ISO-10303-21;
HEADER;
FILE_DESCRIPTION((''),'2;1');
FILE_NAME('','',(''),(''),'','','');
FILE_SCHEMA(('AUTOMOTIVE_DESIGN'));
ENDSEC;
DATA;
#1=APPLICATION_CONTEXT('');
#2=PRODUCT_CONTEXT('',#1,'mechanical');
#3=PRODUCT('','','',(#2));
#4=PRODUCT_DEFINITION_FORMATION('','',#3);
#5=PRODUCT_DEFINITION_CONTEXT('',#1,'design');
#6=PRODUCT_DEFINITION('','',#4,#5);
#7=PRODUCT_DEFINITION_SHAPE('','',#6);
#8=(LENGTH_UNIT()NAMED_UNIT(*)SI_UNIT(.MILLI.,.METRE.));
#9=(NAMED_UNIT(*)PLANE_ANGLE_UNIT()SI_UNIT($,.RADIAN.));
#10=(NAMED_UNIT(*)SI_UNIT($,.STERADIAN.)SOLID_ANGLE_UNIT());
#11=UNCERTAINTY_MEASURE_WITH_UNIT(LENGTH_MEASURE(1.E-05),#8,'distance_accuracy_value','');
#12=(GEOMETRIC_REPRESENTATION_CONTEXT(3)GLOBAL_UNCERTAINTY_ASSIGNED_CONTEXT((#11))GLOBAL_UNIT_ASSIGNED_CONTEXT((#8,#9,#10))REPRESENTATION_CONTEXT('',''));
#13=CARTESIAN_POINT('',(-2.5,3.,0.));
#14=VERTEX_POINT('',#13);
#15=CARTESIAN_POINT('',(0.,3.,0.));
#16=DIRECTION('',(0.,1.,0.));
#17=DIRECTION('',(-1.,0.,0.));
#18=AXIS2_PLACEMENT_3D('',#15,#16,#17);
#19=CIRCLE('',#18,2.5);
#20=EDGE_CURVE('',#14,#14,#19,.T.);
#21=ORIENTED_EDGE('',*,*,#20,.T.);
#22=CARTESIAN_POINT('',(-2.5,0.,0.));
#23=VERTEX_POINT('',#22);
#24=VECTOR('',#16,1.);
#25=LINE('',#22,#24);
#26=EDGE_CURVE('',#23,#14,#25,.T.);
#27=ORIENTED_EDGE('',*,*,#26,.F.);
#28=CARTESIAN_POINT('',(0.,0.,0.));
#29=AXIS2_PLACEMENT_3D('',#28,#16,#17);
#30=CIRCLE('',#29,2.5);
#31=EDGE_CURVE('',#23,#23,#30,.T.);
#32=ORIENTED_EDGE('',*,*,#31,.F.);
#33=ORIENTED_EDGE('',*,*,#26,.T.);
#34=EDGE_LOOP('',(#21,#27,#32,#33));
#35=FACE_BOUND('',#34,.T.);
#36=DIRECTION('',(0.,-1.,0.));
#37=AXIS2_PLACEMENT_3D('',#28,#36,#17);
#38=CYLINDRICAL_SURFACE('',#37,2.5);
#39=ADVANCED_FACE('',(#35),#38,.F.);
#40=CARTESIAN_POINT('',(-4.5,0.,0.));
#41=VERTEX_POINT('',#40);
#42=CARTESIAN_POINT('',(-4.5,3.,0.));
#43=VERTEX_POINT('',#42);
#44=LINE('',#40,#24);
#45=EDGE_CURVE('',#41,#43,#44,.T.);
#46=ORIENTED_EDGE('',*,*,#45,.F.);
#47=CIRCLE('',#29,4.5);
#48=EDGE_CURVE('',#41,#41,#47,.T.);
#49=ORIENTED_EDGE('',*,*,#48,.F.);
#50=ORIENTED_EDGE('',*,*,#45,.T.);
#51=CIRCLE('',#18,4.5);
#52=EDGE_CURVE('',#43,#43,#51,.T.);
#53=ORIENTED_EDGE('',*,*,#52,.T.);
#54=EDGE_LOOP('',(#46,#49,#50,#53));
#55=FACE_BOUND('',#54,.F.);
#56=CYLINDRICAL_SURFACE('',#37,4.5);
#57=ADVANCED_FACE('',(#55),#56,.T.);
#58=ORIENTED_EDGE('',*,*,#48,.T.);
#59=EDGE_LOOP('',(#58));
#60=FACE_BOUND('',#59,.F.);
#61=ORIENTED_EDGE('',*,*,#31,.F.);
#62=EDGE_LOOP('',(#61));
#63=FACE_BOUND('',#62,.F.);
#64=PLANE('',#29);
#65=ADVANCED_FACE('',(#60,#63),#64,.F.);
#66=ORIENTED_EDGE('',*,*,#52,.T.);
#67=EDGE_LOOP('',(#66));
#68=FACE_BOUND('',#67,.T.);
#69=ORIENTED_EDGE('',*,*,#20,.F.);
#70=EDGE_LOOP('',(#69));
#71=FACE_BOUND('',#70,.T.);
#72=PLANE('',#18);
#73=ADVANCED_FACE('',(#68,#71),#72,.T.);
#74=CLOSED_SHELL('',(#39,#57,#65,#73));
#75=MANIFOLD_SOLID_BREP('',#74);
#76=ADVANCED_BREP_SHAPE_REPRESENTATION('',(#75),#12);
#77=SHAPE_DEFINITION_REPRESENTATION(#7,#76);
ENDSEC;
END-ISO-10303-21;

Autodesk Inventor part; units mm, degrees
ref_plane "YZ Plane" through (0, 0, 0) normal (1, 0, 0) x (0, 1, 0)
ref_plane "XZ Plane" through (0, 0, 0) normal (0, 1, 0) x (-1, 0, 0)
ref_plane "XY Plane" through (0, 0, 0) normal (0, 0, 1) x (1, 0, 0)
extrude "Extrusion1" [suppressed]
extrude "Extrusion2" [suppressed]
sketch "Sketch3" plane through (0, 0, 0) normal (0, 1, 0) x (-1, 0, 0)
  circle A0 centre (0, 0) radius 4.5
  circle A1 centre (0, 0) radius 2.5
  dimension "d10" = 9
  dimension "d11" = 5
extrude "Extrusion3" add sketch "Sketch3" along normal blind 3
properties part number "P88040"
